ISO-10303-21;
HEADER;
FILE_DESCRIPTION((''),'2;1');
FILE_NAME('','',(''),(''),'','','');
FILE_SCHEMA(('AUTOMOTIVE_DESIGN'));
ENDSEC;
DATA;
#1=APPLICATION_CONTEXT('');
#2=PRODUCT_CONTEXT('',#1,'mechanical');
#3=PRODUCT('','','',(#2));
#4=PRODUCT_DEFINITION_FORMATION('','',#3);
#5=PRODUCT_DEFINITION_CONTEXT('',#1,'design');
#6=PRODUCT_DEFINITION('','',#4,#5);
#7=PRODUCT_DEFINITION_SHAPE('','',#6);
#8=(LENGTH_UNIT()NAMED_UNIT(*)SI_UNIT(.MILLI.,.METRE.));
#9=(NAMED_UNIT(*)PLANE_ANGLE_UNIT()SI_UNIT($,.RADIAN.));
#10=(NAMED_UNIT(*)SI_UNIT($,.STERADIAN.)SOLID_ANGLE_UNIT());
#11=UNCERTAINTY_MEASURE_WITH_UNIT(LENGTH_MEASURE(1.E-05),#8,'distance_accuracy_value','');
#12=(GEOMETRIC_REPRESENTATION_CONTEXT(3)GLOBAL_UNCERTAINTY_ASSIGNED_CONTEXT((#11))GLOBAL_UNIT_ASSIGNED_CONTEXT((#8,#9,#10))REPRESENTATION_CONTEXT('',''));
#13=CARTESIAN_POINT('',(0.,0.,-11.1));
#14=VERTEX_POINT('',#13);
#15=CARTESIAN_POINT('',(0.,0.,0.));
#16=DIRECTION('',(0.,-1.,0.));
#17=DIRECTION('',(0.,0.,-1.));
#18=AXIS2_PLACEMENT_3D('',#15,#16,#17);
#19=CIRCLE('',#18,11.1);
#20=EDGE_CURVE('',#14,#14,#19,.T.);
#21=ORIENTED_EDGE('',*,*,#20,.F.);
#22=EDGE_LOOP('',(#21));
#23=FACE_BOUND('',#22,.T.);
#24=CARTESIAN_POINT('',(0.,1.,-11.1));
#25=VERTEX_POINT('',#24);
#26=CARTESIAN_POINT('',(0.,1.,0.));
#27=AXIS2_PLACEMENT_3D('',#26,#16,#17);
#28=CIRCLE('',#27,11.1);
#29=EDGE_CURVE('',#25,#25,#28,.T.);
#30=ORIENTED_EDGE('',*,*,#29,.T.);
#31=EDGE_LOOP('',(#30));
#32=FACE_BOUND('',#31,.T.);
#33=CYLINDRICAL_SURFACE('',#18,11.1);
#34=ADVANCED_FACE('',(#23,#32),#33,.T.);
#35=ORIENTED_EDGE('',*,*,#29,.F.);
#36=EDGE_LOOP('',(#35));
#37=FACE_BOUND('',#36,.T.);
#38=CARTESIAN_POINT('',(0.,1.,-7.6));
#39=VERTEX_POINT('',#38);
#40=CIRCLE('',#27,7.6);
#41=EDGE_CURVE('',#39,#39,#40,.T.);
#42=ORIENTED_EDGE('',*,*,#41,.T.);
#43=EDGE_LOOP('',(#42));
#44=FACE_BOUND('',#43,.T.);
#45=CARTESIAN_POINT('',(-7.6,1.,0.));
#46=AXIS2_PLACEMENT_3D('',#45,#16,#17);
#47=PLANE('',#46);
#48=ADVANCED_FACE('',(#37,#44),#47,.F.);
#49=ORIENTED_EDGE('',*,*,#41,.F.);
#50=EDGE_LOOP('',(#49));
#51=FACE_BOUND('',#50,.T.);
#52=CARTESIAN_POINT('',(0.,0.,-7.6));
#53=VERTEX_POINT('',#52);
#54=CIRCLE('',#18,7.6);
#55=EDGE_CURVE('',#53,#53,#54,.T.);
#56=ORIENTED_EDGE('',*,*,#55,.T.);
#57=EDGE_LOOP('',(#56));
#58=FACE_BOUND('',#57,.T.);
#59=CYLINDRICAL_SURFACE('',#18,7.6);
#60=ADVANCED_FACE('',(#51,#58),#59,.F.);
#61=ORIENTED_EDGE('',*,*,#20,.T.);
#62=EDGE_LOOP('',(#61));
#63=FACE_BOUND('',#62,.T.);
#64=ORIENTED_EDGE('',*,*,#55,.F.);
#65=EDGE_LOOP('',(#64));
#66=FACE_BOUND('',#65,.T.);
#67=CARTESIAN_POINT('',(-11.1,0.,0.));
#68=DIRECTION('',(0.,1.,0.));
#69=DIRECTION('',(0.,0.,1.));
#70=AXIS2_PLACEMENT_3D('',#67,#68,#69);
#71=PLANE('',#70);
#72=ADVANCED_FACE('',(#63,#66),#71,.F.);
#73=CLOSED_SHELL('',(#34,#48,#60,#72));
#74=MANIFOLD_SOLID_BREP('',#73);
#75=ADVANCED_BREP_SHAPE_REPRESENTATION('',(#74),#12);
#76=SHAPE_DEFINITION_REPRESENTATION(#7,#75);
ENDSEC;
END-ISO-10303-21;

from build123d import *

# Parameters (mm, degrees)
SKETCH1_W = 3.5
SKETCH1_H = 1


with BuildPart() as part:
    # Sketch1 → Revolve1 (revolve)
    with BuildSketch(Plane.XY, mode=Mode.PRIVATE) as revolve1_sk:
        with Locations((-9.35, 0.5)):
            Rectangle(SKETCH1_W, SKETCH1_H)
    revolve(revolve1_sk.sketch.rotate(Axis((0, 0, 0), (0, 1, 0)), 270), axis=Axis((0, 0, 0), (0, 1, 0)))


solid = part.part
